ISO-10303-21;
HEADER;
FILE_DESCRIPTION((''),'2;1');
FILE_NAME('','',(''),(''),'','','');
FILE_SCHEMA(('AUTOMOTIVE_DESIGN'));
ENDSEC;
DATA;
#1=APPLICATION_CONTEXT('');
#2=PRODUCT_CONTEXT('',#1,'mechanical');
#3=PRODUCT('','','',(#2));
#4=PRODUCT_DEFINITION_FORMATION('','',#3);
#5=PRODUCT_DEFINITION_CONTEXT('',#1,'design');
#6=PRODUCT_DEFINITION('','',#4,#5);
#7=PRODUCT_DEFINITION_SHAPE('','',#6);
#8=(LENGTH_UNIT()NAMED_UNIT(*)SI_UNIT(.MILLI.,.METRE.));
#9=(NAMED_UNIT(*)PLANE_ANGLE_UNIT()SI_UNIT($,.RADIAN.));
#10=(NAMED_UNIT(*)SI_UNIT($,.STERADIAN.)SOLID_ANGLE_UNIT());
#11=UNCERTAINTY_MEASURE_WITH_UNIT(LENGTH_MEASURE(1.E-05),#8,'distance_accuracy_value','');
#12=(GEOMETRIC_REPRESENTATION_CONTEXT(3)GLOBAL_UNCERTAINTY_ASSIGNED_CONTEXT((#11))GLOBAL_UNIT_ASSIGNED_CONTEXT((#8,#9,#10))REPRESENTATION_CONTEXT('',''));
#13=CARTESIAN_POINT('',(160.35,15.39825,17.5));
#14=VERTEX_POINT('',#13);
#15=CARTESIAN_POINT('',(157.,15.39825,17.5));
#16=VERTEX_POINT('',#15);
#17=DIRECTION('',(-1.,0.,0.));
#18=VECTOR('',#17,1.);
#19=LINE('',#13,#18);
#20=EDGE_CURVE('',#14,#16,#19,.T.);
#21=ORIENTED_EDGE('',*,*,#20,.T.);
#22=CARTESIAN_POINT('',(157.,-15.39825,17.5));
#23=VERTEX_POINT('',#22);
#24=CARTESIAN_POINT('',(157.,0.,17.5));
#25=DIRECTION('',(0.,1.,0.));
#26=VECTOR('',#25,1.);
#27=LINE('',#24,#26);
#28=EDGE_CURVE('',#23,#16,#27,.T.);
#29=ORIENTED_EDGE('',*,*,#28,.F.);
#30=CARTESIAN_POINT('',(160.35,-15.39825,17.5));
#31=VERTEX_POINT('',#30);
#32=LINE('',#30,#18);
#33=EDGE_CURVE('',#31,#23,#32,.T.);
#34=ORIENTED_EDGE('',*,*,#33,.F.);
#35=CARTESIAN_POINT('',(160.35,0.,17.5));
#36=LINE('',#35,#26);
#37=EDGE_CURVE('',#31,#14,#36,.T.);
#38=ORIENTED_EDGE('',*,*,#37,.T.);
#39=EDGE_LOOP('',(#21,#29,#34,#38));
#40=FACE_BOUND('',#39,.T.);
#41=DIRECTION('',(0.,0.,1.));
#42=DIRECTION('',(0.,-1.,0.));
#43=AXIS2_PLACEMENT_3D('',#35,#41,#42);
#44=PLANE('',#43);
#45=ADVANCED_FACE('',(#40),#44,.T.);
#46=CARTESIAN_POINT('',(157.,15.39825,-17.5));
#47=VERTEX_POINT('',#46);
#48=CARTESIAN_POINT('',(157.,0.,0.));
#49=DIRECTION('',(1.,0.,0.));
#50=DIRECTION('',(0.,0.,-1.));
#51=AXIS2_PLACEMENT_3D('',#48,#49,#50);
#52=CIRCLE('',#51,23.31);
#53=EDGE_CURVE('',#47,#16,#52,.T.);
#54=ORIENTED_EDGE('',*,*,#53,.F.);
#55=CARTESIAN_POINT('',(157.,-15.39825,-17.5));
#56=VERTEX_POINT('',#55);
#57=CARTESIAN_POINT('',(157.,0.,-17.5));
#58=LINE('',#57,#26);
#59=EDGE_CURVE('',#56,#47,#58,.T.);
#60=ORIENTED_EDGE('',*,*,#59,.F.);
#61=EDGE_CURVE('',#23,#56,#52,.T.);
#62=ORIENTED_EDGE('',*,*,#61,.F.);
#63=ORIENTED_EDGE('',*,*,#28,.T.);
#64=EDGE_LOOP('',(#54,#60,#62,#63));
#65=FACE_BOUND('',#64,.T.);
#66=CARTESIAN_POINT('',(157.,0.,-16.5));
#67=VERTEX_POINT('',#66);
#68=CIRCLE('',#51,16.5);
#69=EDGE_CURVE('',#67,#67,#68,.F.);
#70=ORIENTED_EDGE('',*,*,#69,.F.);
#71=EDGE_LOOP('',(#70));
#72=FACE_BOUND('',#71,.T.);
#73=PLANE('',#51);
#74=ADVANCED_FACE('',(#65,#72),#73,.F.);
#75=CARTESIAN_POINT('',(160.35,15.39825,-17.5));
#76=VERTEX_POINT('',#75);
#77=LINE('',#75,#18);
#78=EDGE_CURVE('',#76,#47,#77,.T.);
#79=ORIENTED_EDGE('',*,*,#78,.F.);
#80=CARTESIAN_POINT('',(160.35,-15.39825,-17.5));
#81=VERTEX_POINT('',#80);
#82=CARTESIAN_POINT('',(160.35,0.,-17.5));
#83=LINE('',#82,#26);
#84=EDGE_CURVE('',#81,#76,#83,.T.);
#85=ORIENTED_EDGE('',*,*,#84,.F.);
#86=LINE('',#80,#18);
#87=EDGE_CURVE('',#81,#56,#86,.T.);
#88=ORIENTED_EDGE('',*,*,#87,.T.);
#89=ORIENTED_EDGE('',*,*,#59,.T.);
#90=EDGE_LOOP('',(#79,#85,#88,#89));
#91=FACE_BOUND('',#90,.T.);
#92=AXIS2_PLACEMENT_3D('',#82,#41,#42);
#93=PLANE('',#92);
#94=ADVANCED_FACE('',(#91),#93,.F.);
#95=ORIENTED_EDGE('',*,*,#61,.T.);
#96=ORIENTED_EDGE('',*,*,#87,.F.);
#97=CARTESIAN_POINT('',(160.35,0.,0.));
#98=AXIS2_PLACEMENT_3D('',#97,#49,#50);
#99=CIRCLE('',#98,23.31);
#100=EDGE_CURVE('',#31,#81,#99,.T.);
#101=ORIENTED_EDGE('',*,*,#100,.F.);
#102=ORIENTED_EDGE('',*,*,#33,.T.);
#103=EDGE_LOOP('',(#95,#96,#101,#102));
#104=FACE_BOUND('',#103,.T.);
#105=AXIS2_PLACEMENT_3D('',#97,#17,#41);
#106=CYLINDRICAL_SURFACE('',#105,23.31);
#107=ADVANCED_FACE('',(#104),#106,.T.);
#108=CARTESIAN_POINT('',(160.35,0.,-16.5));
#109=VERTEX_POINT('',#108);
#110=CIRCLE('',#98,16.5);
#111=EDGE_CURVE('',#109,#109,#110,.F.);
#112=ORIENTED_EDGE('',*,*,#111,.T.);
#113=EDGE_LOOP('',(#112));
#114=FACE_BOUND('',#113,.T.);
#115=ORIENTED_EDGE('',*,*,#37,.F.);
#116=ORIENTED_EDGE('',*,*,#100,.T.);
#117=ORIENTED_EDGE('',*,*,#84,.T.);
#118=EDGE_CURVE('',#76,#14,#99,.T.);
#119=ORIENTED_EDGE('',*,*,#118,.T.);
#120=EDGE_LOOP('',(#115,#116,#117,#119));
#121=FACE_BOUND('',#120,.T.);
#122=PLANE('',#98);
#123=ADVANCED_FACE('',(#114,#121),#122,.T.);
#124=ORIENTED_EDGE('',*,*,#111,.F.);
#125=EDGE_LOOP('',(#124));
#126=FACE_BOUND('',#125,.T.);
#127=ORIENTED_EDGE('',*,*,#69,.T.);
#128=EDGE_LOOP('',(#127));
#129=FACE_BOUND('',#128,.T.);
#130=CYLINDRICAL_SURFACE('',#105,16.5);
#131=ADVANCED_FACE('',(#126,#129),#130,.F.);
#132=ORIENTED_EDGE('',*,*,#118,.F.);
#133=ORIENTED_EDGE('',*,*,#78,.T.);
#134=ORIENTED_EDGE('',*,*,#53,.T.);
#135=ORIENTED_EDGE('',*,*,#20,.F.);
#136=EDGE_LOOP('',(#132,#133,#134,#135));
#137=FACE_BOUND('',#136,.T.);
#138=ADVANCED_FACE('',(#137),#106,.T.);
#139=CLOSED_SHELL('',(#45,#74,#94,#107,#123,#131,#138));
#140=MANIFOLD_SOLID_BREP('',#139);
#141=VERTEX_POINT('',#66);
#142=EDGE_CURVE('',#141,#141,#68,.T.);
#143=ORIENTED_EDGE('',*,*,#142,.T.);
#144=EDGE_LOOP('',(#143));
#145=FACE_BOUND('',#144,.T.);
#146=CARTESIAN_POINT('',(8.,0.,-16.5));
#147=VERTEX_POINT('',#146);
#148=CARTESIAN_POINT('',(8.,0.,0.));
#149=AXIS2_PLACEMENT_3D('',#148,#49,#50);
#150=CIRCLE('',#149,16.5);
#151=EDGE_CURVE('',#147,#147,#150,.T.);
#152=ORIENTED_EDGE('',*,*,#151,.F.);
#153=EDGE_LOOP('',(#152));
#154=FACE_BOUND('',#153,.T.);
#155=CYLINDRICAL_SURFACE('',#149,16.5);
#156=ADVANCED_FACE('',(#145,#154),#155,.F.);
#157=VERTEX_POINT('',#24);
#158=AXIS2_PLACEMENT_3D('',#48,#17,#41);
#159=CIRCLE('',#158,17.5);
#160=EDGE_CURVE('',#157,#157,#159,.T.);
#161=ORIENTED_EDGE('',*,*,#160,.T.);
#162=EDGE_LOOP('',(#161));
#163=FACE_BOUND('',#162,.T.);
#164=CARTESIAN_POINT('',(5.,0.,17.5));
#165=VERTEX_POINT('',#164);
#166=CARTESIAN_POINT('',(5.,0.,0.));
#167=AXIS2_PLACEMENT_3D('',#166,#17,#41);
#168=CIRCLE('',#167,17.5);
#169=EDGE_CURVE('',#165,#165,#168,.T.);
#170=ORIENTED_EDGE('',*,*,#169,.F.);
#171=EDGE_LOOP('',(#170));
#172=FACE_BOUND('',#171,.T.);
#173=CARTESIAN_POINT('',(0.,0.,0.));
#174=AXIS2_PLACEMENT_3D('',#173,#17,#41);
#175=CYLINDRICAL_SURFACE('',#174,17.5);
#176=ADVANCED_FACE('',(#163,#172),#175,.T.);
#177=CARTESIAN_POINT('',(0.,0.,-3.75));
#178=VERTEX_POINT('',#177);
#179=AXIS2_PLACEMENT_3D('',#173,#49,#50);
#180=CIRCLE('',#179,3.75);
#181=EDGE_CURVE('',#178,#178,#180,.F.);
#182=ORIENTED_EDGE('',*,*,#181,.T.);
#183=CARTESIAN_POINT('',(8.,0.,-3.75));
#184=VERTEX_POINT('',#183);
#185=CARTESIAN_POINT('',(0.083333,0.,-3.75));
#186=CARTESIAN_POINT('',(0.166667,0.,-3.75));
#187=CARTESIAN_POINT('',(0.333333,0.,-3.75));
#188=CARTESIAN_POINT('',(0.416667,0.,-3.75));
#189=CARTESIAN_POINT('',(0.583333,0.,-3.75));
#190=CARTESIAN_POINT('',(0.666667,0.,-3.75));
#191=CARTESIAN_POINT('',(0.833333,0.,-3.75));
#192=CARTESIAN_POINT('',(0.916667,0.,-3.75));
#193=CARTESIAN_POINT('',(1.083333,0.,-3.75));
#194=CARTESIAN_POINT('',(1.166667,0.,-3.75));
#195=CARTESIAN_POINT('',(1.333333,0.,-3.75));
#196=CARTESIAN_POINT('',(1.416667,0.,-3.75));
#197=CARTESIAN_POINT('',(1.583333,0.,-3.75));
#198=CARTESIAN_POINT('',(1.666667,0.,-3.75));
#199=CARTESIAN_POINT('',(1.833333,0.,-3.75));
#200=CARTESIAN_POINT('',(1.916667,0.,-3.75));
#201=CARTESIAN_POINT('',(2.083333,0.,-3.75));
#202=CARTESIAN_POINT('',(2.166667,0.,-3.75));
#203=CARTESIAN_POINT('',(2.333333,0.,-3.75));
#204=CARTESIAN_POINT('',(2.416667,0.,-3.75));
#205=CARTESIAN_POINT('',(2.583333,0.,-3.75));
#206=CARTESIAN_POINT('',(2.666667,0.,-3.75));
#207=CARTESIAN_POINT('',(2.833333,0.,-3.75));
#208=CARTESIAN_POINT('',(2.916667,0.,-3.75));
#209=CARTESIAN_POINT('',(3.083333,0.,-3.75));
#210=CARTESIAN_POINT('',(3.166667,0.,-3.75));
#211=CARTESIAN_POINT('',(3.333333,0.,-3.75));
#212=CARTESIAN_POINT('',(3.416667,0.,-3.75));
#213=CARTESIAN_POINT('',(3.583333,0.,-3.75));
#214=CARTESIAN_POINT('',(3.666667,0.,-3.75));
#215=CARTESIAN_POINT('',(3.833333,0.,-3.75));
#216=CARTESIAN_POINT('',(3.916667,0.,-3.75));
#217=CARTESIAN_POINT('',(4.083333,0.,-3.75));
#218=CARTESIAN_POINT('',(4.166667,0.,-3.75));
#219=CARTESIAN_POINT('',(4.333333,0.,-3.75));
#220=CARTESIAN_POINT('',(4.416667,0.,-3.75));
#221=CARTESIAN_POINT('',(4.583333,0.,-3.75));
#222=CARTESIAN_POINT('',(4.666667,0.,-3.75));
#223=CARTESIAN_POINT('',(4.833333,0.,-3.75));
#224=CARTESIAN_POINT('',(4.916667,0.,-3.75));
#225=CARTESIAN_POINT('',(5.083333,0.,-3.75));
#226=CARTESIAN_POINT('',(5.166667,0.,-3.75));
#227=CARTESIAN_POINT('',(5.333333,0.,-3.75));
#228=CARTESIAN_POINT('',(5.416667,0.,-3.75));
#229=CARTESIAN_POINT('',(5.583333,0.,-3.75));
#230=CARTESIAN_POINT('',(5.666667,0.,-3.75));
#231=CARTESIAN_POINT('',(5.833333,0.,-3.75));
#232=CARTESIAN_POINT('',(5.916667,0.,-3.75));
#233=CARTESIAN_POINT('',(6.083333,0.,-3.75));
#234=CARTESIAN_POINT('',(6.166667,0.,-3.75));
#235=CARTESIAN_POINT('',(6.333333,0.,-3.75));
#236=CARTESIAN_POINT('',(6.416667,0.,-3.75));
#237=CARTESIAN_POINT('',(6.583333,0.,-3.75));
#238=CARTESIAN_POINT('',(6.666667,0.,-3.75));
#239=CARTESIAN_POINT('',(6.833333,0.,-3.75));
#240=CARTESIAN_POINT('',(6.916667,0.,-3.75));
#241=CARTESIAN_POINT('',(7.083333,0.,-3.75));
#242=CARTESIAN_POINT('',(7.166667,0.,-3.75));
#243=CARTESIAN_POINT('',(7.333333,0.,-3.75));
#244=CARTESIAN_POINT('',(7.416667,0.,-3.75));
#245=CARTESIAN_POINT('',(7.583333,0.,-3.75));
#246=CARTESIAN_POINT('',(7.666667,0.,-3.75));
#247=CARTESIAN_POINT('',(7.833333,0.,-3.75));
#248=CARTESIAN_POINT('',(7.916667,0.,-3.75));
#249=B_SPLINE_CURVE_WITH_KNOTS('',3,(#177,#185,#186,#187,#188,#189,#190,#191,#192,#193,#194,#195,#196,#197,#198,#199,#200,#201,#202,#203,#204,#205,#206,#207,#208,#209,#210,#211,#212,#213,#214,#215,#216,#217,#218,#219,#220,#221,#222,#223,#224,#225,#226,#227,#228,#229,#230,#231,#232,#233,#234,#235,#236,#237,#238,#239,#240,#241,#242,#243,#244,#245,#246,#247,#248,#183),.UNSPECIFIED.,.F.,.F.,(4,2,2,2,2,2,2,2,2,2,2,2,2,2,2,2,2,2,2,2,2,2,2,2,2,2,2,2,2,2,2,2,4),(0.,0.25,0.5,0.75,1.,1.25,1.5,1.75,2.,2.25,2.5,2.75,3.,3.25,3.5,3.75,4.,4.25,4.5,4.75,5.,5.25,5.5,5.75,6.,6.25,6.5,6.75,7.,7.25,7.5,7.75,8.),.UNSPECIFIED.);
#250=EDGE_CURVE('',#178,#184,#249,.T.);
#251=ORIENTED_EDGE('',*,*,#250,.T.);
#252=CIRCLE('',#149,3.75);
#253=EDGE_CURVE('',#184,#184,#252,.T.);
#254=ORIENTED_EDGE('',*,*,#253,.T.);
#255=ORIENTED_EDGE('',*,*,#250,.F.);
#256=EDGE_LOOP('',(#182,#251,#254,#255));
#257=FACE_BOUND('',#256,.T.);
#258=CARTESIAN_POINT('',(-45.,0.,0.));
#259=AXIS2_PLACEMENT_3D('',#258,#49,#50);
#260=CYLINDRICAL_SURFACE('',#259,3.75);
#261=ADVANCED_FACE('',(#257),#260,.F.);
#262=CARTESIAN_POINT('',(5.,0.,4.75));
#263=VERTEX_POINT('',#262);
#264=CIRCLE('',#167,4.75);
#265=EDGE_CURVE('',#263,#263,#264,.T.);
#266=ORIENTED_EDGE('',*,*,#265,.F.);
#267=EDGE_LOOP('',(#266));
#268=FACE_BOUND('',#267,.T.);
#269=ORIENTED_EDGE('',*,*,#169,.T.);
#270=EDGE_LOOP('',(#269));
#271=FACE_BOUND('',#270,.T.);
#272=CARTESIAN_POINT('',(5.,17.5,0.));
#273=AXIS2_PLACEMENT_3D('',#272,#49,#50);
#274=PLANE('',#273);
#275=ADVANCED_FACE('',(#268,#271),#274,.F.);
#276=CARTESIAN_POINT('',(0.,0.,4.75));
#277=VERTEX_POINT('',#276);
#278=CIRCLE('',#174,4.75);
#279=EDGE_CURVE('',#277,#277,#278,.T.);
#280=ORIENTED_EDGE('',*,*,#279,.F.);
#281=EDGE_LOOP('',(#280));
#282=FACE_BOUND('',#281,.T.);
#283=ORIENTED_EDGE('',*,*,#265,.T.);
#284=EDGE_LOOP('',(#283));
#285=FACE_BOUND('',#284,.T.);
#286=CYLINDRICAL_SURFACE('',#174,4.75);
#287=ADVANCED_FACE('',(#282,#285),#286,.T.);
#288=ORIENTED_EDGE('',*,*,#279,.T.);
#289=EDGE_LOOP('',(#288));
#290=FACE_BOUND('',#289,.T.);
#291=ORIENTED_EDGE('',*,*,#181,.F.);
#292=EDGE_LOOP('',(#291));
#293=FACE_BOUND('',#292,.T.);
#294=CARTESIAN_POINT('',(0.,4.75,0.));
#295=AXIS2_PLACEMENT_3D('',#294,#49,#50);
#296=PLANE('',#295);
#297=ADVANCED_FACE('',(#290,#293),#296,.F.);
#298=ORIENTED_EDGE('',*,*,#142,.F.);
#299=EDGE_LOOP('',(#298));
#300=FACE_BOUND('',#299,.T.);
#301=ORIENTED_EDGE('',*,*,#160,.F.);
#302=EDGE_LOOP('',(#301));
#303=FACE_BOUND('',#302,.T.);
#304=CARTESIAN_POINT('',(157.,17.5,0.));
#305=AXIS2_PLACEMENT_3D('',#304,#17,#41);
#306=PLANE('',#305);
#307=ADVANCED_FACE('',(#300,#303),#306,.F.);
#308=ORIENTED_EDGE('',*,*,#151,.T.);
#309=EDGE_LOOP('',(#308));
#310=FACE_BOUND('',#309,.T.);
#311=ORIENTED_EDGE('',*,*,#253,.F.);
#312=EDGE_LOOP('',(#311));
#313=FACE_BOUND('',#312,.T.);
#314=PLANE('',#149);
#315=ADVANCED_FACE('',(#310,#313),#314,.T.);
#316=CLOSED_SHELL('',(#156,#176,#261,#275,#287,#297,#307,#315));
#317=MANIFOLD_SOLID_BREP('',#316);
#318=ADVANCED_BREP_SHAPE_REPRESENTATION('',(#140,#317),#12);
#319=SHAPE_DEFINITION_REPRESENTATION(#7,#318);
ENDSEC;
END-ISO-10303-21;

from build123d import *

# Parameters (mm, degrees)
CUT_EXTRUDE1_DEPTH      = 45
CUT_EXTRUDE1_DEPTH_BACK = 260
SKETCH2_R               = 3.75
SKETCH3_R               = 16.5
CUT_EXTRUDE2_DEPTH      = 149
SKETCH4_R               = 16.5
BOSS_EXTRUDE1_DEPTH     = 3.35


with BuildPart() as part:
    # Sketch1 → Revolve2 (revolve)
    with BuildSketch(Plane.XY, mode=Mode.PRIVATE) as revolve2_sk:
        Polygon((0, 0), (157, 0), (157, 17.5), (5, 17.5), (5, 4.75), (0, 4.75), align=None)
    revolve(revolve2_sk.sketch.rotate(Axis((0, 0, 0), (1, 0, 0)), 90), axis=Axis((0, 0, 0), (1, 0, 0)))

    # Sketch2 → Cut-Extrude1 (cut, two sides: drawn at the far end of the back side and taken through both)
    with BuildSketch(Plane.ZY.offset(-CUT_EXTRUDE1_DEPTH_BACK)):
        with Locations(Location((0, 0, 0), (0, 0, 180))):
            Circle(SKETCH2_R)
    extrude(amount=CUT_EXTRUDE1_DEPTH + CUT_EXTRUDE1_DEPTH_BACK, mode=Mode.SUBTRACT)

    # Sketch3 → Cut-Extrude2 (cut)
    with BuildSketch(Plane(origin=(157, 0, 0), x_dir=(0, 0, -1), z_dir=(1, 0, 0))):
        Circle(SKETCH3_R)
    extrude(amount=-CUT_EXTRUDE2_DEPTH, mode=Mode.SUBTRACT)


with BuildPart() as body_2:
    # Sketch4 → Boss-Extrude1 (new body)
    with BuildSketch(Plane(origin=(157, 0, 0), x_dir=(0, 0, -1), z_dir=(1, 0, 0))):
        with BuildLine():
            Line((-17.5, 15.398249901), (-17.5, -15.398249901))
            ThreePointArc((-17.5, -15.398249901), (0, -23.31), (17.5, -15.398249901))
            Line((17.5, -15.398249901), (17.5, 15.398249901))
            ThreePointArc((17.5, 15.398249901), (0, 23.31), (-17.5, 15.398249901))
        make_face()
        Circle(SKETCH4_R, mode=Mode.SUBTRACT)
    extrude(amount=BOSS_EXTRUDE1_DEPTH)


solid = Compound([part.part, body_2.part])
